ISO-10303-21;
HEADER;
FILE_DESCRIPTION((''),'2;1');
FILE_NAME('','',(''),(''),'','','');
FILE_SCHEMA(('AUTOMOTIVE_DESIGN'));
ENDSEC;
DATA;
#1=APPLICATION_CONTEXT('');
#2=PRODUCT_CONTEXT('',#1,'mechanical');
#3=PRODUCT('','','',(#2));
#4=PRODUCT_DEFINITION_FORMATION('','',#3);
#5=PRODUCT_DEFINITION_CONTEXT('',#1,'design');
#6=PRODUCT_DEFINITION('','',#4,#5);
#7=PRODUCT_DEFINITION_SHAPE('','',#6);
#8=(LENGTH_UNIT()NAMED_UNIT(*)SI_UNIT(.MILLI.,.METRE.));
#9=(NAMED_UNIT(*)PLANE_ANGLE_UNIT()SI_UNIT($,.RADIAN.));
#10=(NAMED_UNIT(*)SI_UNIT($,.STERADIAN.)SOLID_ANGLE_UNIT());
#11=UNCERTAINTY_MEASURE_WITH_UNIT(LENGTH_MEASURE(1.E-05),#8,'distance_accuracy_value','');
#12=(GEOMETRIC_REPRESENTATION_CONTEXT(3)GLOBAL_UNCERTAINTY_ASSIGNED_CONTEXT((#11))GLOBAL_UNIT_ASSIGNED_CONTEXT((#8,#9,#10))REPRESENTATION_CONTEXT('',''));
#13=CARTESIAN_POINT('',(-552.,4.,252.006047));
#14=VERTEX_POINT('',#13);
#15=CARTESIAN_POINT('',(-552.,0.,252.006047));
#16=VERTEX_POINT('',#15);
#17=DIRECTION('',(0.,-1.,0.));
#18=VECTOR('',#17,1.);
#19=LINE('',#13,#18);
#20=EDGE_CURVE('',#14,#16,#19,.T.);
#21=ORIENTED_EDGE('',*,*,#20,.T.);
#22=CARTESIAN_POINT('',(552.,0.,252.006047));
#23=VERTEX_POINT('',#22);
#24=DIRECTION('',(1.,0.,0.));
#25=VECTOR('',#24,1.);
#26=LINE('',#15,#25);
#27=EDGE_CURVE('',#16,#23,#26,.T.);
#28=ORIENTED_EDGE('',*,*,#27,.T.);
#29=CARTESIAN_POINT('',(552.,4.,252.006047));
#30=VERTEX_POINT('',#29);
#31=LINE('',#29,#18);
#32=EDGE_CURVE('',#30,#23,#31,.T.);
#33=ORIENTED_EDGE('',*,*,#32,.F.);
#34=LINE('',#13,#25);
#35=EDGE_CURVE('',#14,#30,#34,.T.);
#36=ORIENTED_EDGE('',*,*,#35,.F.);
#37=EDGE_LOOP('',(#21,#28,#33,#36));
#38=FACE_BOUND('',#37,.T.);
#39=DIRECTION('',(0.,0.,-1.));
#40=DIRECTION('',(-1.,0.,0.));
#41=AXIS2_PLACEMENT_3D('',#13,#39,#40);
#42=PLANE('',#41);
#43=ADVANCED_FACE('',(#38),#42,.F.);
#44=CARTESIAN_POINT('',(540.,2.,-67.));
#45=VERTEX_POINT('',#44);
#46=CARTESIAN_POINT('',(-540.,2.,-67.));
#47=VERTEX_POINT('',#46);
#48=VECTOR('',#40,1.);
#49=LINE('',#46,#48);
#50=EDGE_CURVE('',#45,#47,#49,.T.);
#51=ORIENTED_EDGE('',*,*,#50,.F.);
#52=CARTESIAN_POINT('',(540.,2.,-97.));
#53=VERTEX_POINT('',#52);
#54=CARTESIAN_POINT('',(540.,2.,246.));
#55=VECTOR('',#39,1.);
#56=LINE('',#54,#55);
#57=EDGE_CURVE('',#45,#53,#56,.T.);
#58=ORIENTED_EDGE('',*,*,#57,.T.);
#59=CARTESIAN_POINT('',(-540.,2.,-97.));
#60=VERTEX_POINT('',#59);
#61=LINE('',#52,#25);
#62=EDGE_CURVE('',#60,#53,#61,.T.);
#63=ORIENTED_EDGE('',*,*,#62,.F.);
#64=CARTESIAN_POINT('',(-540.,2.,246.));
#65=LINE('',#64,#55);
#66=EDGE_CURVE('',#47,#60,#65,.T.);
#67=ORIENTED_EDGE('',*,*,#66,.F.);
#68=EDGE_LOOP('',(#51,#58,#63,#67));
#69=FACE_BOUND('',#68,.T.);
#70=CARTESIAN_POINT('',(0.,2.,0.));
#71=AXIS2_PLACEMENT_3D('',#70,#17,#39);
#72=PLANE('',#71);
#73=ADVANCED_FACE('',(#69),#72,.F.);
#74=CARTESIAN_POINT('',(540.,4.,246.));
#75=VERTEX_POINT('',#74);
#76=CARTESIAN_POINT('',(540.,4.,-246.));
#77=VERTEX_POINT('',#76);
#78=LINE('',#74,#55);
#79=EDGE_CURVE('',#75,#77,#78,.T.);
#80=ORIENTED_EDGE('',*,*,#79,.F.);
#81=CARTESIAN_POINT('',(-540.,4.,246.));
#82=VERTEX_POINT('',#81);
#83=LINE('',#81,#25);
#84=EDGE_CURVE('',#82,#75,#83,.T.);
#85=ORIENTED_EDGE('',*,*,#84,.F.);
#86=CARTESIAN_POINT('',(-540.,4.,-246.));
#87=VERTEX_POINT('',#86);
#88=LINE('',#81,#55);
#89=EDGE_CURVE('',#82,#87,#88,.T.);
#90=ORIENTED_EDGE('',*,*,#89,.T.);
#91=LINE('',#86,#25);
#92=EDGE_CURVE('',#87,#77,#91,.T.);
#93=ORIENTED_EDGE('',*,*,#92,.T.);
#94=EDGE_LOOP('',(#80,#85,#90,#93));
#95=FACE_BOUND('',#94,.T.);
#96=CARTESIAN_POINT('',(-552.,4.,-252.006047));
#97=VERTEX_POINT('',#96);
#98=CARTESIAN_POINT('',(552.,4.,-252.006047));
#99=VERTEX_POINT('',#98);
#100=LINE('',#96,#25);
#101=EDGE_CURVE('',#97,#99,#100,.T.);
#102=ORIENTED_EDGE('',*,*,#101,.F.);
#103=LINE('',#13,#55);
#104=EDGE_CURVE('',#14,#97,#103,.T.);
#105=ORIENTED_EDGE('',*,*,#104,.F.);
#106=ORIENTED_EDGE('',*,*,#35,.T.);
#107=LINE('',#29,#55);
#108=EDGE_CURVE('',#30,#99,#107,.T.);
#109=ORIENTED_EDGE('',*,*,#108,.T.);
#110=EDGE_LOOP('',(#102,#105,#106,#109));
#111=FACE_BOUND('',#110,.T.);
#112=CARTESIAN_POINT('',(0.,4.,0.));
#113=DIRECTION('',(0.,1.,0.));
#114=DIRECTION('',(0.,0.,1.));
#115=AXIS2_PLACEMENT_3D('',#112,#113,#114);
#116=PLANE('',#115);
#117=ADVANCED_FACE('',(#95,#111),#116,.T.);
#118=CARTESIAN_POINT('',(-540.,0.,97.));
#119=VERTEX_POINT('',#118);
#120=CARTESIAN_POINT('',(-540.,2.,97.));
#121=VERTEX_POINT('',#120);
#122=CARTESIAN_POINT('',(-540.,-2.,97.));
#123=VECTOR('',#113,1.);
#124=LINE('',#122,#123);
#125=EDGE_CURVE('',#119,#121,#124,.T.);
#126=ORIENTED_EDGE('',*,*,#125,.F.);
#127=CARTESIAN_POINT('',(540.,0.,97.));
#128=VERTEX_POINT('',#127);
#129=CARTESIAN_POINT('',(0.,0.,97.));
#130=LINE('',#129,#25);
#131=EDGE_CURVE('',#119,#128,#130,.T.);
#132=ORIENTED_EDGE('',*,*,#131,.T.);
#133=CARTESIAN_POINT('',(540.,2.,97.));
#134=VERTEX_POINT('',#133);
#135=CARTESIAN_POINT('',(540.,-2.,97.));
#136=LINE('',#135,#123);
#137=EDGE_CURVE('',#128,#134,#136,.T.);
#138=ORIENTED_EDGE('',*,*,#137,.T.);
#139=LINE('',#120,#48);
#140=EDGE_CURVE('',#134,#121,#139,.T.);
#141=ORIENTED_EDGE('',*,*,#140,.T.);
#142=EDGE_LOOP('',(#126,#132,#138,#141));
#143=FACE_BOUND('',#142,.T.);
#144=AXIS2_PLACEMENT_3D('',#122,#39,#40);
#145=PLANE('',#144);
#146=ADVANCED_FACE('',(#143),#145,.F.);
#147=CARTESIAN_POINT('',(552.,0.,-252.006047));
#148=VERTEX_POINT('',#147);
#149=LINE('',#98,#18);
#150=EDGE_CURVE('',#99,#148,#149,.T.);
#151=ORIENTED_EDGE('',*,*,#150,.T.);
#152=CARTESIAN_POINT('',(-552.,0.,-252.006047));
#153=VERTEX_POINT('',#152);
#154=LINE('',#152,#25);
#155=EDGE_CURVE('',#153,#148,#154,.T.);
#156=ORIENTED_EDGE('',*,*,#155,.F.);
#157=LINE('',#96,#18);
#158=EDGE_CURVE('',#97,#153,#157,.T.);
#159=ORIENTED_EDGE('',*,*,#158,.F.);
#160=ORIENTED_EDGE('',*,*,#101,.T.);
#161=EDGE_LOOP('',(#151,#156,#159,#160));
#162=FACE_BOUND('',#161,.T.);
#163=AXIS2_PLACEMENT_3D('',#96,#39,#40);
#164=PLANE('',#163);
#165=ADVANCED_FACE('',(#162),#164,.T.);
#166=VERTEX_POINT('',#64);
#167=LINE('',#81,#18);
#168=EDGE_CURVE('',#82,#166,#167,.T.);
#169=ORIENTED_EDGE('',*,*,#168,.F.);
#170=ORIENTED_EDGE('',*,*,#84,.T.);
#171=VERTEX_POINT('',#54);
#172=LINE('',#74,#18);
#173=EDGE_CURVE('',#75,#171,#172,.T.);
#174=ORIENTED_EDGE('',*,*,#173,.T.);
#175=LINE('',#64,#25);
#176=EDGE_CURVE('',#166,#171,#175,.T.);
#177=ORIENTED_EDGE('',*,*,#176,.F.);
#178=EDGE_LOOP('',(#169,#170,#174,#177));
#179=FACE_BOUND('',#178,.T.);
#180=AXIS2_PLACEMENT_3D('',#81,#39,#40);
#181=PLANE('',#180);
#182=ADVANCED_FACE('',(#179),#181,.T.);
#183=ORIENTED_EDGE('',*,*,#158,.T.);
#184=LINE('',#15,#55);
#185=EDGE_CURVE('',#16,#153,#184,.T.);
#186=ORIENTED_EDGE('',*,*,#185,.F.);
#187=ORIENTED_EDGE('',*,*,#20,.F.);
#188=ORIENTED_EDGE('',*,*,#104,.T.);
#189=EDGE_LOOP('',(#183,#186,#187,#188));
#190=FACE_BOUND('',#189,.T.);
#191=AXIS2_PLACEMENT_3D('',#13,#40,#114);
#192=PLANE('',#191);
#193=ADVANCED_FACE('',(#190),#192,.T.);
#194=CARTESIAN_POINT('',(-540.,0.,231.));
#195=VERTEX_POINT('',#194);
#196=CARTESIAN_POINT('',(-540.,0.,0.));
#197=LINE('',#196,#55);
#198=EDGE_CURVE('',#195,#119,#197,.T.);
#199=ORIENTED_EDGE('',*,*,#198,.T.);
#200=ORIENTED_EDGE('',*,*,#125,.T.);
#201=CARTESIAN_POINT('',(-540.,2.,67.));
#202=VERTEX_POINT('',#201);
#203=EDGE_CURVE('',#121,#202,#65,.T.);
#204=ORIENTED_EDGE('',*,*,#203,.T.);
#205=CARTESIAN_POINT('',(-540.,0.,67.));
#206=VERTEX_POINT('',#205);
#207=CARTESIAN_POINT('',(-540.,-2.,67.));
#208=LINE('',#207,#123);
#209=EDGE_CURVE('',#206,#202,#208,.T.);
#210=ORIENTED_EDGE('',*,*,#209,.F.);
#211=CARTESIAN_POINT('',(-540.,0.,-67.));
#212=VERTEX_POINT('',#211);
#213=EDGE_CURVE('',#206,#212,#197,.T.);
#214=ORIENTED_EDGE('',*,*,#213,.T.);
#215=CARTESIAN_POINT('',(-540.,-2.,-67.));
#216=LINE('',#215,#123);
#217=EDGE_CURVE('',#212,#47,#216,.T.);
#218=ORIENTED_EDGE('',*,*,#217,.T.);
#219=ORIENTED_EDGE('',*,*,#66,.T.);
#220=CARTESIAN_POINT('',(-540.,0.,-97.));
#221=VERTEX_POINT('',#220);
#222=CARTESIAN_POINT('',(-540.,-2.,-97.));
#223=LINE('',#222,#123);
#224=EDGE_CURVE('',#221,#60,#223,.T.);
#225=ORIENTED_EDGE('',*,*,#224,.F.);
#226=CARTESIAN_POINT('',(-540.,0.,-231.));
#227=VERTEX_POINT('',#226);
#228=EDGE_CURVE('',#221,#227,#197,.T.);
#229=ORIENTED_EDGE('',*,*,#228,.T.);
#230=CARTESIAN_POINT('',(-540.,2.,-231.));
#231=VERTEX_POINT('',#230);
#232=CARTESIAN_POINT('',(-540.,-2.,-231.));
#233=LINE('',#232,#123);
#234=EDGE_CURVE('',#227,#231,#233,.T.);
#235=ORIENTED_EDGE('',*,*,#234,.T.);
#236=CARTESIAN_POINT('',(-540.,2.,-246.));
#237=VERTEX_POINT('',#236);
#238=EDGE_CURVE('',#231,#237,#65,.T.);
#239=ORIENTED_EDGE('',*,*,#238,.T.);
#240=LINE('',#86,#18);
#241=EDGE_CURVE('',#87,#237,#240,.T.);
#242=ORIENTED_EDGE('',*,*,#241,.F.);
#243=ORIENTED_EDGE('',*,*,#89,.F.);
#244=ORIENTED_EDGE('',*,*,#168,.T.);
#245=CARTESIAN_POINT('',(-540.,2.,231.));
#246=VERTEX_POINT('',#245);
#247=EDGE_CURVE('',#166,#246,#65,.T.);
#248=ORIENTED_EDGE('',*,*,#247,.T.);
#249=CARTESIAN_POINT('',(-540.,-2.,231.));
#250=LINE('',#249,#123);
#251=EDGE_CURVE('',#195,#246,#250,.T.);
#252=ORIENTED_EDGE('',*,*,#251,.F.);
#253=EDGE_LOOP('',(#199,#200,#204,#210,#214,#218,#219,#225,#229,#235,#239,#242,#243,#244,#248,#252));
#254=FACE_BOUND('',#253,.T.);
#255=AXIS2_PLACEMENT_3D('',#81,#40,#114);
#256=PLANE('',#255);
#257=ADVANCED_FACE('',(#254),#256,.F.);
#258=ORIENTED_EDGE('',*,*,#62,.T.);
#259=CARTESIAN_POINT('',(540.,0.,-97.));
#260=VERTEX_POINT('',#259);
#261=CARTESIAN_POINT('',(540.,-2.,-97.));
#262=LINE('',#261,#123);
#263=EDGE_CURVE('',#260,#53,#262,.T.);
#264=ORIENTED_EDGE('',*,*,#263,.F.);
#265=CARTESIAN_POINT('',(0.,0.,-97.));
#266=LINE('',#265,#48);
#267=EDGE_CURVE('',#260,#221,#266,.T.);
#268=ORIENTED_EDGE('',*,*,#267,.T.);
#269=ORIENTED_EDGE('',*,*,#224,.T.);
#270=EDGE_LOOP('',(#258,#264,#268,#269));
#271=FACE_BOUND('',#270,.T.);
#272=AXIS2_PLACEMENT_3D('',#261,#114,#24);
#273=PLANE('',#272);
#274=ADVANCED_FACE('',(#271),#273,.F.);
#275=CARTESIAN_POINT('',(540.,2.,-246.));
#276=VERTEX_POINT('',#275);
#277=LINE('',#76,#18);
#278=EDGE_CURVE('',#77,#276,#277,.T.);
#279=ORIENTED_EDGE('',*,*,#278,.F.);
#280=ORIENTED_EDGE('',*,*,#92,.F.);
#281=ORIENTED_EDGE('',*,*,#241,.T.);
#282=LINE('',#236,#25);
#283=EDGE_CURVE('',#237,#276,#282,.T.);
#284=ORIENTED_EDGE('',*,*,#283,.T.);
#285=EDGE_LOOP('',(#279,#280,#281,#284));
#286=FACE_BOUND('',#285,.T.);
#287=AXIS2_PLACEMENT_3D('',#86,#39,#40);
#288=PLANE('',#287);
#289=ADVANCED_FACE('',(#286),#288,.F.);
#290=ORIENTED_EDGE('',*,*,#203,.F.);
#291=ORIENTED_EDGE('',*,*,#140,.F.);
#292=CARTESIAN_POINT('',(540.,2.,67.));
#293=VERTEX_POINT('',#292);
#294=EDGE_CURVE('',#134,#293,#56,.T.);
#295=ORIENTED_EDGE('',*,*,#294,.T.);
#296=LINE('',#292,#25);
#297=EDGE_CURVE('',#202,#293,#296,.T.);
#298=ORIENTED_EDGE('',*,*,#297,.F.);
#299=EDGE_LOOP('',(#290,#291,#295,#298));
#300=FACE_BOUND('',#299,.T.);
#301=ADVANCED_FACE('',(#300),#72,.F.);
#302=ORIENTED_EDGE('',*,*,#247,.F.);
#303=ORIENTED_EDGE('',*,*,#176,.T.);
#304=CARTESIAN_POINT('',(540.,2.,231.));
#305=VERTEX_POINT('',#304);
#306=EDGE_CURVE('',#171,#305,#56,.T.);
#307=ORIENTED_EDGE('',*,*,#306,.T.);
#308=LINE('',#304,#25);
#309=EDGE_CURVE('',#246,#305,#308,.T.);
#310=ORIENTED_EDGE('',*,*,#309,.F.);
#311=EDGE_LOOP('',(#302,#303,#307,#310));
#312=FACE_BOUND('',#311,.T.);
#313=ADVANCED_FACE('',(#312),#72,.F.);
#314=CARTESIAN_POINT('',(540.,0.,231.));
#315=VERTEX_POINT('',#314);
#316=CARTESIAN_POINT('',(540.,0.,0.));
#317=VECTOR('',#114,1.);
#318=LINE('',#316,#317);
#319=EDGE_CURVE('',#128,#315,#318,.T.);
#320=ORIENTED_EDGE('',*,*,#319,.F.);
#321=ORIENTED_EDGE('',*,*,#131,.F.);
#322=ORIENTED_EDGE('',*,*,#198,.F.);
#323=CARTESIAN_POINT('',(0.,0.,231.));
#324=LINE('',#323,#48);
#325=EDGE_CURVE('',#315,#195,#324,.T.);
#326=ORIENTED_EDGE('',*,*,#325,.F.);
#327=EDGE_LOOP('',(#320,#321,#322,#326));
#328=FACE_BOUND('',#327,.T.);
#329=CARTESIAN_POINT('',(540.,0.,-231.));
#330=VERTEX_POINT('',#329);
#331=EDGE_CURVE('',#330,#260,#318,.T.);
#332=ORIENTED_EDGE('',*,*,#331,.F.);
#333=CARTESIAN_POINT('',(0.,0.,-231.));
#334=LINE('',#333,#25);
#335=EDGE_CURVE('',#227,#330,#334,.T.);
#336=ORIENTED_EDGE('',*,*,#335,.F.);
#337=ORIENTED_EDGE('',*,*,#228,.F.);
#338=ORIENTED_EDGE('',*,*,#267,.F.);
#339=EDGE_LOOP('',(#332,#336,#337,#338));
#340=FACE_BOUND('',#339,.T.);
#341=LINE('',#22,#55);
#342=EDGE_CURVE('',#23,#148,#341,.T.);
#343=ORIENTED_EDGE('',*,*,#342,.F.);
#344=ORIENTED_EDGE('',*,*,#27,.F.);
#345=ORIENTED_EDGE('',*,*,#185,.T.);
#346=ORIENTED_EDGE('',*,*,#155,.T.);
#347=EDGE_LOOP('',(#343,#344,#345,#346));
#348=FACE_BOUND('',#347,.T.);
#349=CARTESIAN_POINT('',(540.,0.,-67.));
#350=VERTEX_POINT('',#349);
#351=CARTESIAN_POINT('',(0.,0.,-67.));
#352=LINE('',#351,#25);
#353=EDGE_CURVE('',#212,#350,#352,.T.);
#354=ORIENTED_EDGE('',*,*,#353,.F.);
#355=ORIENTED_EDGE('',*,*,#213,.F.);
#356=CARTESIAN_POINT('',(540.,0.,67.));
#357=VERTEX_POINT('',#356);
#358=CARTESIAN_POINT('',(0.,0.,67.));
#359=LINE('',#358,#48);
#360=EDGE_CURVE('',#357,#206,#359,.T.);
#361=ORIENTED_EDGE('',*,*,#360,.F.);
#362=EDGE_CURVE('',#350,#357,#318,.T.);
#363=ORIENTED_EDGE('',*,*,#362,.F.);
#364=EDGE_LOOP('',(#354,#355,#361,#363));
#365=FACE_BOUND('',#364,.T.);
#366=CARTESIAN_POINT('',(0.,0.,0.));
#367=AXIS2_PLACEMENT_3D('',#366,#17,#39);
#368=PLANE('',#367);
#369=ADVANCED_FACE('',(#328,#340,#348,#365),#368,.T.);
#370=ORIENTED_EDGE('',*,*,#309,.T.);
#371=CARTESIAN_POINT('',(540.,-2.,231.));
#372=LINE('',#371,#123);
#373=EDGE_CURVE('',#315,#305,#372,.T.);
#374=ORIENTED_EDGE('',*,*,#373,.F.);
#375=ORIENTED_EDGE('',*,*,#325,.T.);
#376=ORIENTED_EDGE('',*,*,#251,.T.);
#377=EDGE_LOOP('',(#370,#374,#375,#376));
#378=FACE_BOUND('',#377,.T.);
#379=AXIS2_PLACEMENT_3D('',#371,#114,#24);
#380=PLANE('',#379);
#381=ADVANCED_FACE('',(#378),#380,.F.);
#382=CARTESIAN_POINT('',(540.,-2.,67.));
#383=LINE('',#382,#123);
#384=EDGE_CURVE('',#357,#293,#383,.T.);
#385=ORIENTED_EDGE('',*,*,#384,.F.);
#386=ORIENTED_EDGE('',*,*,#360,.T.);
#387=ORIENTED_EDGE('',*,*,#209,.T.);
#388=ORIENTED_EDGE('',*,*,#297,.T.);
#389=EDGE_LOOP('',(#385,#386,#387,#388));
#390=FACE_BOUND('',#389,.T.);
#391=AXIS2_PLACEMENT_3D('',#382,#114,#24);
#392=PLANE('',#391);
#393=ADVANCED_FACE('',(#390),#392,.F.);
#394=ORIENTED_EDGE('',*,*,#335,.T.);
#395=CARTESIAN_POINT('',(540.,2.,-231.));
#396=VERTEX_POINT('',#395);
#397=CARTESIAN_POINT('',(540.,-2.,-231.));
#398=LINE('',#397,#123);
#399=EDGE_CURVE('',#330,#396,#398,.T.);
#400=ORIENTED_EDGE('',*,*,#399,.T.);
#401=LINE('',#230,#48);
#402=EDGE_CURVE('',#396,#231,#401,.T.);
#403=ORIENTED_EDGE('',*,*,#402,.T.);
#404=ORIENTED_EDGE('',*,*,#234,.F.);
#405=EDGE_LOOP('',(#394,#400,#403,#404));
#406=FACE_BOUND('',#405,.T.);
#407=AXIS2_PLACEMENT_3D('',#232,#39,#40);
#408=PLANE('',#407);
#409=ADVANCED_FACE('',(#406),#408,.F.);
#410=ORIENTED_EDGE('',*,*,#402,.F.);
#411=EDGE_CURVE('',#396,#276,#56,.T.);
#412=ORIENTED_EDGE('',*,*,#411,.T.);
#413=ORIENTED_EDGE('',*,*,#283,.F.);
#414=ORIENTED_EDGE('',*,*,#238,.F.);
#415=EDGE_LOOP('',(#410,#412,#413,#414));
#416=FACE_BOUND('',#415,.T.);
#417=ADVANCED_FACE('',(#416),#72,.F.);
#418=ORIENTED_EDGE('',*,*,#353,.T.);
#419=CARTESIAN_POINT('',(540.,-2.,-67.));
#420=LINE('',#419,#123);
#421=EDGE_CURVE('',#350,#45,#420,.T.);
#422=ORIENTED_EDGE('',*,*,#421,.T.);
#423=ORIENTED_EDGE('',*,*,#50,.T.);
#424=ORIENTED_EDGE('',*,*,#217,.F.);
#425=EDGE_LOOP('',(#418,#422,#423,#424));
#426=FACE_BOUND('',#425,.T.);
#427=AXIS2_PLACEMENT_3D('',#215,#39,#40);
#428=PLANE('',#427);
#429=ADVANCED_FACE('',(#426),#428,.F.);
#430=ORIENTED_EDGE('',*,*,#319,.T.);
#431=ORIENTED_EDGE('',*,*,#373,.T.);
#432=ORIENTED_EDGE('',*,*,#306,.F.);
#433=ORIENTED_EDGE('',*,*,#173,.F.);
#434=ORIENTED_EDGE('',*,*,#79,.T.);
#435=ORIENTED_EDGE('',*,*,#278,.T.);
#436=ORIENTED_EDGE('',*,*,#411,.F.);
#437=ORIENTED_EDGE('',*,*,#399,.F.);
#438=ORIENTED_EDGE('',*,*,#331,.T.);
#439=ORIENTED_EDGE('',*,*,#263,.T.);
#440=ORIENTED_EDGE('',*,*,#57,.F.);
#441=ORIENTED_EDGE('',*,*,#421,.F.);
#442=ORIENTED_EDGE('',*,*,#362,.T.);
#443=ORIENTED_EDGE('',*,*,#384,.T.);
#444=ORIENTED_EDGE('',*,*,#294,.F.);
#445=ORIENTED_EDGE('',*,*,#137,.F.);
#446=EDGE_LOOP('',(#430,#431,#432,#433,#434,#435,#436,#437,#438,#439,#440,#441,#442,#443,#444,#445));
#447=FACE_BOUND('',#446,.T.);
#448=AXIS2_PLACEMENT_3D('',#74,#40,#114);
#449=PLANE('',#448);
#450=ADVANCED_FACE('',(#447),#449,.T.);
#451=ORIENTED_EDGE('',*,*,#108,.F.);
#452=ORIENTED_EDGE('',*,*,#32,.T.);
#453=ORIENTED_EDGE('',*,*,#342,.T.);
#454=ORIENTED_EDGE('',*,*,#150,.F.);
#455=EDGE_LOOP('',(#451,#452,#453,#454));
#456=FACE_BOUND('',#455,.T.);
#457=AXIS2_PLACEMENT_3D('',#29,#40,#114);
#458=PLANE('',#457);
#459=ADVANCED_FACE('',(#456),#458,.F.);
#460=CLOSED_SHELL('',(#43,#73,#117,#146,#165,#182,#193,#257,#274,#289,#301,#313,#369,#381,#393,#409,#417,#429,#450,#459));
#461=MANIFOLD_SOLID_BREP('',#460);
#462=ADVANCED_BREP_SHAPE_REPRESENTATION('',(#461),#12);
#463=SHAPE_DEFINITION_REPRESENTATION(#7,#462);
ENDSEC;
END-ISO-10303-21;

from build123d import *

# Parameters (mm, degrees)
SKETCH1_W           = 1080
SKETCH1_H           = 492
BOSS_EXTRUDE1_DEPTH = 2
SKETCH4_W           = 1104
SKETCH4_H           = 504.01209321
SKETCH4_W_2         = 1080
SKETCH4_H_2         = 492
BOSS_EXTRUDE3_DEPTH = 4
SKETCH5_W           = 1080
SKETCH5_H           = 134
CUT_EXTRUDE2_DEPTH  = 4
LPATTERN2_COUNT     = 3
LPATTERN2_PITCH     = 164


with BuildPart() as part:
    # Sketch1 → Boss-Extrude1 (new body)
    with BuildSketch(Plane(origin=(0, 0, 0), x_dir=(1, 0, 0), z_dir=(0, 1, 0))):
        Rectangle(SKETCH1_W, SKETCH1_H)
    extrude(amount=BOSS_EXTRUDE1_DEPTH)

    # Sketch4 → Boss-Extrude3 (add)
    with BuildSketch(Plane(origin=(0, 0, 0), x_dir=(1, 0, 0), z_dir=(0, 1, 0))):
        Rectangle(SKETCH4_W, SKETCH4_H)
        Rectangle(SKETCH4_W_2, SKETCH4_H_2, mode=Mode.SUBTRACT)
    extrude(amount=BOSS_EXTRUDE3_DEPTH)

    # Sketch5 → Cut-Extrude2 (cut)
    with BuildSketch(Plane(origin=(0, 2, 0), x_dir=(1, 0, 0), z_dir=(0, 1, 0))):
        with Locations((0, 164)):
            Rectangle(SKETCH5_W, SKETCH5_H)
    cut_extrude2 = extrude(amount=-CUT_EXTRUDE2_DEPTH, mode=Mode.SUBTRACT)

    # LPattern2: Cut-Extrude2 ×3
    with Locations(*[(0, 0, i * LPATTERN2_PITCH) for i in range(1, LPATTERN2_COUNT)]):
        add(cut_extrude2, mode=Mode.SUBTRACT)


solid = part.part
